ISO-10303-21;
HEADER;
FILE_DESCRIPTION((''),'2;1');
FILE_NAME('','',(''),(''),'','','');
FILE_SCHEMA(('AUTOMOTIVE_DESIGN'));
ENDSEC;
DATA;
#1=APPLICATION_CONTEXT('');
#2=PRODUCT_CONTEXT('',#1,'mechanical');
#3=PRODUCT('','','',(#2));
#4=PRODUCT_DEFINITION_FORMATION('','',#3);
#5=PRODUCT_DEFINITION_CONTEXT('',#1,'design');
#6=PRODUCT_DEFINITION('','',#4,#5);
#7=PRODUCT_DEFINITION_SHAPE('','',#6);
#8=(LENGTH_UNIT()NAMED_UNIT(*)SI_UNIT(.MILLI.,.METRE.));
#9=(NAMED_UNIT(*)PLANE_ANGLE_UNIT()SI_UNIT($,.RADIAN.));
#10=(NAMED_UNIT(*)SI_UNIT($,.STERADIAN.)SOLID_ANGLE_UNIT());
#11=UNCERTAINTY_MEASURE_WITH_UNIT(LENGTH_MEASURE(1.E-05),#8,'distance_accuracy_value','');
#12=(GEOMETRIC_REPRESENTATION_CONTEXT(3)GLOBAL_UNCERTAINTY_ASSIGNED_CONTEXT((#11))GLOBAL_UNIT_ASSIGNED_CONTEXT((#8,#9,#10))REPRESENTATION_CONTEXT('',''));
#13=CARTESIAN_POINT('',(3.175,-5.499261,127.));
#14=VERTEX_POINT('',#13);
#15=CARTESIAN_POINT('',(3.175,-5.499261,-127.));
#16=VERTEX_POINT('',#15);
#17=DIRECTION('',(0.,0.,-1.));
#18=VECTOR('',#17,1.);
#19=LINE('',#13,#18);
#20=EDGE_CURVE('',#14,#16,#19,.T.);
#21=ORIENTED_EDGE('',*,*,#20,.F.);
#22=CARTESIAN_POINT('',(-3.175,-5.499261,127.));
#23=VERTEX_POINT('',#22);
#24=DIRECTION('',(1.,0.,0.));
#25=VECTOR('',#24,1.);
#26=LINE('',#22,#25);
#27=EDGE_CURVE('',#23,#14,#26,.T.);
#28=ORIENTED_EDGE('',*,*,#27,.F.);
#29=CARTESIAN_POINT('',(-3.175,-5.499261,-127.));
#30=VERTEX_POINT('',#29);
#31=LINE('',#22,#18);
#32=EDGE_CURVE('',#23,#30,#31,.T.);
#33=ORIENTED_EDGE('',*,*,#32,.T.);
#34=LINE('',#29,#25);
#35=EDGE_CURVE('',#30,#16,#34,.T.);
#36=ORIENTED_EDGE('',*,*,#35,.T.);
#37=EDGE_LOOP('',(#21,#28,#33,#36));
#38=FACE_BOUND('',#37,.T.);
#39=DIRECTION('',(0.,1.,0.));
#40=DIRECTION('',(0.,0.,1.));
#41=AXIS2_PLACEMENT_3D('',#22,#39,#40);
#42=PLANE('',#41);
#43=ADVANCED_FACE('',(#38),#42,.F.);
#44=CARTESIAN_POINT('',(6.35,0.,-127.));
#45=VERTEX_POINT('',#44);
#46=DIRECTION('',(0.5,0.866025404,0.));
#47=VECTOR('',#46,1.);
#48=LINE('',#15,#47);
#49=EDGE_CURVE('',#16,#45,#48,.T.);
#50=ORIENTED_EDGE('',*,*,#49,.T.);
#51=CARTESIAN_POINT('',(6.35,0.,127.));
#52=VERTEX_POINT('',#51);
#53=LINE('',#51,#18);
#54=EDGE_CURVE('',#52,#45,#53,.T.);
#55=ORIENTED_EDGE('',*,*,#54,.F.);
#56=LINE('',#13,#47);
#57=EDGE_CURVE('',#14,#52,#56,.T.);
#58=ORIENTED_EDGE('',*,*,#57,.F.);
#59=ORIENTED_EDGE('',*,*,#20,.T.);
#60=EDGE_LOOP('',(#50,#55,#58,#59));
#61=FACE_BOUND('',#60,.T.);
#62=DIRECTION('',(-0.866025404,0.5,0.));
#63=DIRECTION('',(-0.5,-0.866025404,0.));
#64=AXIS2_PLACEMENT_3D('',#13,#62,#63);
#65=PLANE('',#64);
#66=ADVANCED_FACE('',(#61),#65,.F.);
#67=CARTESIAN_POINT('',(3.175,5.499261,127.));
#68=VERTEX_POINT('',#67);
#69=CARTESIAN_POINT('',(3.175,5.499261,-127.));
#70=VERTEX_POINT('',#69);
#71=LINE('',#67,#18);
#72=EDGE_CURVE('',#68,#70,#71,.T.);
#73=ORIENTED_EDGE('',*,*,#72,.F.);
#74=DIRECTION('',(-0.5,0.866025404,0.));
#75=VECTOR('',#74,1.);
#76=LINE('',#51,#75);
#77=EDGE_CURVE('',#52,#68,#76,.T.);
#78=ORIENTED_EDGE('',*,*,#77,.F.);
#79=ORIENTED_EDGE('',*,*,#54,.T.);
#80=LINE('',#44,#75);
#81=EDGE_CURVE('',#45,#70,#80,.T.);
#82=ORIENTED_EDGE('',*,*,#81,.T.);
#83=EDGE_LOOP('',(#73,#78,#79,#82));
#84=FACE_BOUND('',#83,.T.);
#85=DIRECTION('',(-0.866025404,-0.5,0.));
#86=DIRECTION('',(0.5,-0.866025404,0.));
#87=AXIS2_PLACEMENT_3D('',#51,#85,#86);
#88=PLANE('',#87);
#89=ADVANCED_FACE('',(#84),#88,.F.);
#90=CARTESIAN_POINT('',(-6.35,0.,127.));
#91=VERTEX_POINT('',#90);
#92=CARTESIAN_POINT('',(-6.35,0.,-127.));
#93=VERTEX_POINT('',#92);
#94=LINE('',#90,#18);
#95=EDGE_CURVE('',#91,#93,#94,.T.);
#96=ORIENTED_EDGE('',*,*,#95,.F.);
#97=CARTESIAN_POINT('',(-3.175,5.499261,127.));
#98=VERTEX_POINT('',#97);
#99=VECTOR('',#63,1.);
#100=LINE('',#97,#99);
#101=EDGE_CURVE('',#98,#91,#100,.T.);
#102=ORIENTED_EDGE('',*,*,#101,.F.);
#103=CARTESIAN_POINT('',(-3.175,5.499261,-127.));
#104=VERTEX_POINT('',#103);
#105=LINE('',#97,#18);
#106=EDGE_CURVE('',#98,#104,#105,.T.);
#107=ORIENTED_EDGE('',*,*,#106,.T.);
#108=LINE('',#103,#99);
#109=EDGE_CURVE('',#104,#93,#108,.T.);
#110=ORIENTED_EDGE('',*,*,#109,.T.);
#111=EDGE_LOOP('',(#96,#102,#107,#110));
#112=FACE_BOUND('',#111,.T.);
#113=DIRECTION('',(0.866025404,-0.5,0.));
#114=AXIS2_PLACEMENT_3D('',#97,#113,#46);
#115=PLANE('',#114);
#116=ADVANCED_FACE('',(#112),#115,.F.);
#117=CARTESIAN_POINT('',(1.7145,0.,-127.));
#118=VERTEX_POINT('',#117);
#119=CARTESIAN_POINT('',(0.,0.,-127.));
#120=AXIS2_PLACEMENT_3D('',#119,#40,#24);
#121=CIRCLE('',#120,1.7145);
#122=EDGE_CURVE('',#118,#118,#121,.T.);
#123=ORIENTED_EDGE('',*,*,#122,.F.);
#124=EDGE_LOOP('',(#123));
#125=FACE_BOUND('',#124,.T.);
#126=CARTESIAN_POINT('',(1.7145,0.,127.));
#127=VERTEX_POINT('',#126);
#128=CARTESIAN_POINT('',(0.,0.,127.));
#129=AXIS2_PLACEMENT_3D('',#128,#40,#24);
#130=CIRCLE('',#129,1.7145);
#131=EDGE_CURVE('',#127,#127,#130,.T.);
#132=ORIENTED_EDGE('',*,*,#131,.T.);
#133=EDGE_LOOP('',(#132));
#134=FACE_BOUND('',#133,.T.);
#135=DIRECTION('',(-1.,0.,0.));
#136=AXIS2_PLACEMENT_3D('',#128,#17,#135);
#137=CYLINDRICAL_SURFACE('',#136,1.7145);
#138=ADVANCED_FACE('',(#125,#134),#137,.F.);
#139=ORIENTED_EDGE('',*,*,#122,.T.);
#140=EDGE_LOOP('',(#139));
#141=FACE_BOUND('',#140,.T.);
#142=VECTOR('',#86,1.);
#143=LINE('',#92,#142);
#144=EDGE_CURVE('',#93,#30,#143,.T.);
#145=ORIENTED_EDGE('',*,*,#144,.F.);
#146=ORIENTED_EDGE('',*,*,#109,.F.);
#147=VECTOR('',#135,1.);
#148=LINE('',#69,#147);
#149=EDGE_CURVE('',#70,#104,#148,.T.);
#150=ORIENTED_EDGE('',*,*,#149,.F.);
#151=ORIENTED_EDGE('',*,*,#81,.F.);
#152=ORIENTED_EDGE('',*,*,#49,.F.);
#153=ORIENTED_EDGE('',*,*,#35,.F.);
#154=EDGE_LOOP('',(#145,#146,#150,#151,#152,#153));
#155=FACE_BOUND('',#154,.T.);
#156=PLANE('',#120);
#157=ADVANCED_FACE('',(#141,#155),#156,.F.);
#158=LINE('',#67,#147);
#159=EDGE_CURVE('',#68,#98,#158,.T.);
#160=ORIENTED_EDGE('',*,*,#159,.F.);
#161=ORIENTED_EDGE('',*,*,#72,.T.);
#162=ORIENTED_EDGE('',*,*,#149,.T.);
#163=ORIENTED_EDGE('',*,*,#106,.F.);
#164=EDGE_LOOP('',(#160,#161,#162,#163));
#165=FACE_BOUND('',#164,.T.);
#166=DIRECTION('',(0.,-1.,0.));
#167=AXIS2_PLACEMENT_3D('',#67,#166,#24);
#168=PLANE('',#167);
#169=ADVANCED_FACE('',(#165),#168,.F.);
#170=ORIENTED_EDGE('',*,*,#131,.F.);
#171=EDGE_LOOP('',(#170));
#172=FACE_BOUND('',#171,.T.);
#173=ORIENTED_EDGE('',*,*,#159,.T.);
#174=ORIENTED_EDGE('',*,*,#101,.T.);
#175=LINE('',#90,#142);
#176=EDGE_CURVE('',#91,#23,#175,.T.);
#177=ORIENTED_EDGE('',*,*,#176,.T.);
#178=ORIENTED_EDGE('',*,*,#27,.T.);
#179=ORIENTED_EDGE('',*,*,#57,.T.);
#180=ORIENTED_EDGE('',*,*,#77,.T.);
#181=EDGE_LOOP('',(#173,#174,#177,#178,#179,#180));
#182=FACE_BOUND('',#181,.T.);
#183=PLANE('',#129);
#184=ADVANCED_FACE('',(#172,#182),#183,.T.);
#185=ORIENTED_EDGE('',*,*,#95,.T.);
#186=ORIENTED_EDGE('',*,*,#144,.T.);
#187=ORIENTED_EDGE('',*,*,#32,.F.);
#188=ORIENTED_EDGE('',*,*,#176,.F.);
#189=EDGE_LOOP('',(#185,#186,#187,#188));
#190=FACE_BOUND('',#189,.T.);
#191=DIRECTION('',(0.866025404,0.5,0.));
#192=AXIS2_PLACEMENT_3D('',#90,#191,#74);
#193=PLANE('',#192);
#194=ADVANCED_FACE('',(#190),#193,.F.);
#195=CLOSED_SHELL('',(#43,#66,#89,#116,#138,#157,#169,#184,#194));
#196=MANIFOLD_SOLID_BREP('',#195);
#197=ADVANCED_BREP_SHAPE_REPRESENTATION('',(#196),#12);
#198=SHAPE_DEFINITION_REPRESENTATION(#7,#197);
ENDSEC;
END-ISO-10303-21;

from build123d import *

# Parameters (mm, degrees)
SKETCH1_R           = 1.7145
BOSS_EXTRUDE1_DEPTH = 127


with BuildPart() as part:
    # Sketch1 → Boss-Extrude1 (new, symmetric)
    with BuildSketch(Plane.XY):
        Polygon((6.35, 0), (3.175, 5.499261314), (-3.175, 5.499261314), (-6.35, 0), (-3.175, -5.499261314), (3.175, -5.499261314), align=None)
        Circle(SKETCH1_R, mode=Mode.SUBTRACT)
    extrude(amount=BOSS_EXTRUDE1_DEPTH, both=True)


solid = part.part
